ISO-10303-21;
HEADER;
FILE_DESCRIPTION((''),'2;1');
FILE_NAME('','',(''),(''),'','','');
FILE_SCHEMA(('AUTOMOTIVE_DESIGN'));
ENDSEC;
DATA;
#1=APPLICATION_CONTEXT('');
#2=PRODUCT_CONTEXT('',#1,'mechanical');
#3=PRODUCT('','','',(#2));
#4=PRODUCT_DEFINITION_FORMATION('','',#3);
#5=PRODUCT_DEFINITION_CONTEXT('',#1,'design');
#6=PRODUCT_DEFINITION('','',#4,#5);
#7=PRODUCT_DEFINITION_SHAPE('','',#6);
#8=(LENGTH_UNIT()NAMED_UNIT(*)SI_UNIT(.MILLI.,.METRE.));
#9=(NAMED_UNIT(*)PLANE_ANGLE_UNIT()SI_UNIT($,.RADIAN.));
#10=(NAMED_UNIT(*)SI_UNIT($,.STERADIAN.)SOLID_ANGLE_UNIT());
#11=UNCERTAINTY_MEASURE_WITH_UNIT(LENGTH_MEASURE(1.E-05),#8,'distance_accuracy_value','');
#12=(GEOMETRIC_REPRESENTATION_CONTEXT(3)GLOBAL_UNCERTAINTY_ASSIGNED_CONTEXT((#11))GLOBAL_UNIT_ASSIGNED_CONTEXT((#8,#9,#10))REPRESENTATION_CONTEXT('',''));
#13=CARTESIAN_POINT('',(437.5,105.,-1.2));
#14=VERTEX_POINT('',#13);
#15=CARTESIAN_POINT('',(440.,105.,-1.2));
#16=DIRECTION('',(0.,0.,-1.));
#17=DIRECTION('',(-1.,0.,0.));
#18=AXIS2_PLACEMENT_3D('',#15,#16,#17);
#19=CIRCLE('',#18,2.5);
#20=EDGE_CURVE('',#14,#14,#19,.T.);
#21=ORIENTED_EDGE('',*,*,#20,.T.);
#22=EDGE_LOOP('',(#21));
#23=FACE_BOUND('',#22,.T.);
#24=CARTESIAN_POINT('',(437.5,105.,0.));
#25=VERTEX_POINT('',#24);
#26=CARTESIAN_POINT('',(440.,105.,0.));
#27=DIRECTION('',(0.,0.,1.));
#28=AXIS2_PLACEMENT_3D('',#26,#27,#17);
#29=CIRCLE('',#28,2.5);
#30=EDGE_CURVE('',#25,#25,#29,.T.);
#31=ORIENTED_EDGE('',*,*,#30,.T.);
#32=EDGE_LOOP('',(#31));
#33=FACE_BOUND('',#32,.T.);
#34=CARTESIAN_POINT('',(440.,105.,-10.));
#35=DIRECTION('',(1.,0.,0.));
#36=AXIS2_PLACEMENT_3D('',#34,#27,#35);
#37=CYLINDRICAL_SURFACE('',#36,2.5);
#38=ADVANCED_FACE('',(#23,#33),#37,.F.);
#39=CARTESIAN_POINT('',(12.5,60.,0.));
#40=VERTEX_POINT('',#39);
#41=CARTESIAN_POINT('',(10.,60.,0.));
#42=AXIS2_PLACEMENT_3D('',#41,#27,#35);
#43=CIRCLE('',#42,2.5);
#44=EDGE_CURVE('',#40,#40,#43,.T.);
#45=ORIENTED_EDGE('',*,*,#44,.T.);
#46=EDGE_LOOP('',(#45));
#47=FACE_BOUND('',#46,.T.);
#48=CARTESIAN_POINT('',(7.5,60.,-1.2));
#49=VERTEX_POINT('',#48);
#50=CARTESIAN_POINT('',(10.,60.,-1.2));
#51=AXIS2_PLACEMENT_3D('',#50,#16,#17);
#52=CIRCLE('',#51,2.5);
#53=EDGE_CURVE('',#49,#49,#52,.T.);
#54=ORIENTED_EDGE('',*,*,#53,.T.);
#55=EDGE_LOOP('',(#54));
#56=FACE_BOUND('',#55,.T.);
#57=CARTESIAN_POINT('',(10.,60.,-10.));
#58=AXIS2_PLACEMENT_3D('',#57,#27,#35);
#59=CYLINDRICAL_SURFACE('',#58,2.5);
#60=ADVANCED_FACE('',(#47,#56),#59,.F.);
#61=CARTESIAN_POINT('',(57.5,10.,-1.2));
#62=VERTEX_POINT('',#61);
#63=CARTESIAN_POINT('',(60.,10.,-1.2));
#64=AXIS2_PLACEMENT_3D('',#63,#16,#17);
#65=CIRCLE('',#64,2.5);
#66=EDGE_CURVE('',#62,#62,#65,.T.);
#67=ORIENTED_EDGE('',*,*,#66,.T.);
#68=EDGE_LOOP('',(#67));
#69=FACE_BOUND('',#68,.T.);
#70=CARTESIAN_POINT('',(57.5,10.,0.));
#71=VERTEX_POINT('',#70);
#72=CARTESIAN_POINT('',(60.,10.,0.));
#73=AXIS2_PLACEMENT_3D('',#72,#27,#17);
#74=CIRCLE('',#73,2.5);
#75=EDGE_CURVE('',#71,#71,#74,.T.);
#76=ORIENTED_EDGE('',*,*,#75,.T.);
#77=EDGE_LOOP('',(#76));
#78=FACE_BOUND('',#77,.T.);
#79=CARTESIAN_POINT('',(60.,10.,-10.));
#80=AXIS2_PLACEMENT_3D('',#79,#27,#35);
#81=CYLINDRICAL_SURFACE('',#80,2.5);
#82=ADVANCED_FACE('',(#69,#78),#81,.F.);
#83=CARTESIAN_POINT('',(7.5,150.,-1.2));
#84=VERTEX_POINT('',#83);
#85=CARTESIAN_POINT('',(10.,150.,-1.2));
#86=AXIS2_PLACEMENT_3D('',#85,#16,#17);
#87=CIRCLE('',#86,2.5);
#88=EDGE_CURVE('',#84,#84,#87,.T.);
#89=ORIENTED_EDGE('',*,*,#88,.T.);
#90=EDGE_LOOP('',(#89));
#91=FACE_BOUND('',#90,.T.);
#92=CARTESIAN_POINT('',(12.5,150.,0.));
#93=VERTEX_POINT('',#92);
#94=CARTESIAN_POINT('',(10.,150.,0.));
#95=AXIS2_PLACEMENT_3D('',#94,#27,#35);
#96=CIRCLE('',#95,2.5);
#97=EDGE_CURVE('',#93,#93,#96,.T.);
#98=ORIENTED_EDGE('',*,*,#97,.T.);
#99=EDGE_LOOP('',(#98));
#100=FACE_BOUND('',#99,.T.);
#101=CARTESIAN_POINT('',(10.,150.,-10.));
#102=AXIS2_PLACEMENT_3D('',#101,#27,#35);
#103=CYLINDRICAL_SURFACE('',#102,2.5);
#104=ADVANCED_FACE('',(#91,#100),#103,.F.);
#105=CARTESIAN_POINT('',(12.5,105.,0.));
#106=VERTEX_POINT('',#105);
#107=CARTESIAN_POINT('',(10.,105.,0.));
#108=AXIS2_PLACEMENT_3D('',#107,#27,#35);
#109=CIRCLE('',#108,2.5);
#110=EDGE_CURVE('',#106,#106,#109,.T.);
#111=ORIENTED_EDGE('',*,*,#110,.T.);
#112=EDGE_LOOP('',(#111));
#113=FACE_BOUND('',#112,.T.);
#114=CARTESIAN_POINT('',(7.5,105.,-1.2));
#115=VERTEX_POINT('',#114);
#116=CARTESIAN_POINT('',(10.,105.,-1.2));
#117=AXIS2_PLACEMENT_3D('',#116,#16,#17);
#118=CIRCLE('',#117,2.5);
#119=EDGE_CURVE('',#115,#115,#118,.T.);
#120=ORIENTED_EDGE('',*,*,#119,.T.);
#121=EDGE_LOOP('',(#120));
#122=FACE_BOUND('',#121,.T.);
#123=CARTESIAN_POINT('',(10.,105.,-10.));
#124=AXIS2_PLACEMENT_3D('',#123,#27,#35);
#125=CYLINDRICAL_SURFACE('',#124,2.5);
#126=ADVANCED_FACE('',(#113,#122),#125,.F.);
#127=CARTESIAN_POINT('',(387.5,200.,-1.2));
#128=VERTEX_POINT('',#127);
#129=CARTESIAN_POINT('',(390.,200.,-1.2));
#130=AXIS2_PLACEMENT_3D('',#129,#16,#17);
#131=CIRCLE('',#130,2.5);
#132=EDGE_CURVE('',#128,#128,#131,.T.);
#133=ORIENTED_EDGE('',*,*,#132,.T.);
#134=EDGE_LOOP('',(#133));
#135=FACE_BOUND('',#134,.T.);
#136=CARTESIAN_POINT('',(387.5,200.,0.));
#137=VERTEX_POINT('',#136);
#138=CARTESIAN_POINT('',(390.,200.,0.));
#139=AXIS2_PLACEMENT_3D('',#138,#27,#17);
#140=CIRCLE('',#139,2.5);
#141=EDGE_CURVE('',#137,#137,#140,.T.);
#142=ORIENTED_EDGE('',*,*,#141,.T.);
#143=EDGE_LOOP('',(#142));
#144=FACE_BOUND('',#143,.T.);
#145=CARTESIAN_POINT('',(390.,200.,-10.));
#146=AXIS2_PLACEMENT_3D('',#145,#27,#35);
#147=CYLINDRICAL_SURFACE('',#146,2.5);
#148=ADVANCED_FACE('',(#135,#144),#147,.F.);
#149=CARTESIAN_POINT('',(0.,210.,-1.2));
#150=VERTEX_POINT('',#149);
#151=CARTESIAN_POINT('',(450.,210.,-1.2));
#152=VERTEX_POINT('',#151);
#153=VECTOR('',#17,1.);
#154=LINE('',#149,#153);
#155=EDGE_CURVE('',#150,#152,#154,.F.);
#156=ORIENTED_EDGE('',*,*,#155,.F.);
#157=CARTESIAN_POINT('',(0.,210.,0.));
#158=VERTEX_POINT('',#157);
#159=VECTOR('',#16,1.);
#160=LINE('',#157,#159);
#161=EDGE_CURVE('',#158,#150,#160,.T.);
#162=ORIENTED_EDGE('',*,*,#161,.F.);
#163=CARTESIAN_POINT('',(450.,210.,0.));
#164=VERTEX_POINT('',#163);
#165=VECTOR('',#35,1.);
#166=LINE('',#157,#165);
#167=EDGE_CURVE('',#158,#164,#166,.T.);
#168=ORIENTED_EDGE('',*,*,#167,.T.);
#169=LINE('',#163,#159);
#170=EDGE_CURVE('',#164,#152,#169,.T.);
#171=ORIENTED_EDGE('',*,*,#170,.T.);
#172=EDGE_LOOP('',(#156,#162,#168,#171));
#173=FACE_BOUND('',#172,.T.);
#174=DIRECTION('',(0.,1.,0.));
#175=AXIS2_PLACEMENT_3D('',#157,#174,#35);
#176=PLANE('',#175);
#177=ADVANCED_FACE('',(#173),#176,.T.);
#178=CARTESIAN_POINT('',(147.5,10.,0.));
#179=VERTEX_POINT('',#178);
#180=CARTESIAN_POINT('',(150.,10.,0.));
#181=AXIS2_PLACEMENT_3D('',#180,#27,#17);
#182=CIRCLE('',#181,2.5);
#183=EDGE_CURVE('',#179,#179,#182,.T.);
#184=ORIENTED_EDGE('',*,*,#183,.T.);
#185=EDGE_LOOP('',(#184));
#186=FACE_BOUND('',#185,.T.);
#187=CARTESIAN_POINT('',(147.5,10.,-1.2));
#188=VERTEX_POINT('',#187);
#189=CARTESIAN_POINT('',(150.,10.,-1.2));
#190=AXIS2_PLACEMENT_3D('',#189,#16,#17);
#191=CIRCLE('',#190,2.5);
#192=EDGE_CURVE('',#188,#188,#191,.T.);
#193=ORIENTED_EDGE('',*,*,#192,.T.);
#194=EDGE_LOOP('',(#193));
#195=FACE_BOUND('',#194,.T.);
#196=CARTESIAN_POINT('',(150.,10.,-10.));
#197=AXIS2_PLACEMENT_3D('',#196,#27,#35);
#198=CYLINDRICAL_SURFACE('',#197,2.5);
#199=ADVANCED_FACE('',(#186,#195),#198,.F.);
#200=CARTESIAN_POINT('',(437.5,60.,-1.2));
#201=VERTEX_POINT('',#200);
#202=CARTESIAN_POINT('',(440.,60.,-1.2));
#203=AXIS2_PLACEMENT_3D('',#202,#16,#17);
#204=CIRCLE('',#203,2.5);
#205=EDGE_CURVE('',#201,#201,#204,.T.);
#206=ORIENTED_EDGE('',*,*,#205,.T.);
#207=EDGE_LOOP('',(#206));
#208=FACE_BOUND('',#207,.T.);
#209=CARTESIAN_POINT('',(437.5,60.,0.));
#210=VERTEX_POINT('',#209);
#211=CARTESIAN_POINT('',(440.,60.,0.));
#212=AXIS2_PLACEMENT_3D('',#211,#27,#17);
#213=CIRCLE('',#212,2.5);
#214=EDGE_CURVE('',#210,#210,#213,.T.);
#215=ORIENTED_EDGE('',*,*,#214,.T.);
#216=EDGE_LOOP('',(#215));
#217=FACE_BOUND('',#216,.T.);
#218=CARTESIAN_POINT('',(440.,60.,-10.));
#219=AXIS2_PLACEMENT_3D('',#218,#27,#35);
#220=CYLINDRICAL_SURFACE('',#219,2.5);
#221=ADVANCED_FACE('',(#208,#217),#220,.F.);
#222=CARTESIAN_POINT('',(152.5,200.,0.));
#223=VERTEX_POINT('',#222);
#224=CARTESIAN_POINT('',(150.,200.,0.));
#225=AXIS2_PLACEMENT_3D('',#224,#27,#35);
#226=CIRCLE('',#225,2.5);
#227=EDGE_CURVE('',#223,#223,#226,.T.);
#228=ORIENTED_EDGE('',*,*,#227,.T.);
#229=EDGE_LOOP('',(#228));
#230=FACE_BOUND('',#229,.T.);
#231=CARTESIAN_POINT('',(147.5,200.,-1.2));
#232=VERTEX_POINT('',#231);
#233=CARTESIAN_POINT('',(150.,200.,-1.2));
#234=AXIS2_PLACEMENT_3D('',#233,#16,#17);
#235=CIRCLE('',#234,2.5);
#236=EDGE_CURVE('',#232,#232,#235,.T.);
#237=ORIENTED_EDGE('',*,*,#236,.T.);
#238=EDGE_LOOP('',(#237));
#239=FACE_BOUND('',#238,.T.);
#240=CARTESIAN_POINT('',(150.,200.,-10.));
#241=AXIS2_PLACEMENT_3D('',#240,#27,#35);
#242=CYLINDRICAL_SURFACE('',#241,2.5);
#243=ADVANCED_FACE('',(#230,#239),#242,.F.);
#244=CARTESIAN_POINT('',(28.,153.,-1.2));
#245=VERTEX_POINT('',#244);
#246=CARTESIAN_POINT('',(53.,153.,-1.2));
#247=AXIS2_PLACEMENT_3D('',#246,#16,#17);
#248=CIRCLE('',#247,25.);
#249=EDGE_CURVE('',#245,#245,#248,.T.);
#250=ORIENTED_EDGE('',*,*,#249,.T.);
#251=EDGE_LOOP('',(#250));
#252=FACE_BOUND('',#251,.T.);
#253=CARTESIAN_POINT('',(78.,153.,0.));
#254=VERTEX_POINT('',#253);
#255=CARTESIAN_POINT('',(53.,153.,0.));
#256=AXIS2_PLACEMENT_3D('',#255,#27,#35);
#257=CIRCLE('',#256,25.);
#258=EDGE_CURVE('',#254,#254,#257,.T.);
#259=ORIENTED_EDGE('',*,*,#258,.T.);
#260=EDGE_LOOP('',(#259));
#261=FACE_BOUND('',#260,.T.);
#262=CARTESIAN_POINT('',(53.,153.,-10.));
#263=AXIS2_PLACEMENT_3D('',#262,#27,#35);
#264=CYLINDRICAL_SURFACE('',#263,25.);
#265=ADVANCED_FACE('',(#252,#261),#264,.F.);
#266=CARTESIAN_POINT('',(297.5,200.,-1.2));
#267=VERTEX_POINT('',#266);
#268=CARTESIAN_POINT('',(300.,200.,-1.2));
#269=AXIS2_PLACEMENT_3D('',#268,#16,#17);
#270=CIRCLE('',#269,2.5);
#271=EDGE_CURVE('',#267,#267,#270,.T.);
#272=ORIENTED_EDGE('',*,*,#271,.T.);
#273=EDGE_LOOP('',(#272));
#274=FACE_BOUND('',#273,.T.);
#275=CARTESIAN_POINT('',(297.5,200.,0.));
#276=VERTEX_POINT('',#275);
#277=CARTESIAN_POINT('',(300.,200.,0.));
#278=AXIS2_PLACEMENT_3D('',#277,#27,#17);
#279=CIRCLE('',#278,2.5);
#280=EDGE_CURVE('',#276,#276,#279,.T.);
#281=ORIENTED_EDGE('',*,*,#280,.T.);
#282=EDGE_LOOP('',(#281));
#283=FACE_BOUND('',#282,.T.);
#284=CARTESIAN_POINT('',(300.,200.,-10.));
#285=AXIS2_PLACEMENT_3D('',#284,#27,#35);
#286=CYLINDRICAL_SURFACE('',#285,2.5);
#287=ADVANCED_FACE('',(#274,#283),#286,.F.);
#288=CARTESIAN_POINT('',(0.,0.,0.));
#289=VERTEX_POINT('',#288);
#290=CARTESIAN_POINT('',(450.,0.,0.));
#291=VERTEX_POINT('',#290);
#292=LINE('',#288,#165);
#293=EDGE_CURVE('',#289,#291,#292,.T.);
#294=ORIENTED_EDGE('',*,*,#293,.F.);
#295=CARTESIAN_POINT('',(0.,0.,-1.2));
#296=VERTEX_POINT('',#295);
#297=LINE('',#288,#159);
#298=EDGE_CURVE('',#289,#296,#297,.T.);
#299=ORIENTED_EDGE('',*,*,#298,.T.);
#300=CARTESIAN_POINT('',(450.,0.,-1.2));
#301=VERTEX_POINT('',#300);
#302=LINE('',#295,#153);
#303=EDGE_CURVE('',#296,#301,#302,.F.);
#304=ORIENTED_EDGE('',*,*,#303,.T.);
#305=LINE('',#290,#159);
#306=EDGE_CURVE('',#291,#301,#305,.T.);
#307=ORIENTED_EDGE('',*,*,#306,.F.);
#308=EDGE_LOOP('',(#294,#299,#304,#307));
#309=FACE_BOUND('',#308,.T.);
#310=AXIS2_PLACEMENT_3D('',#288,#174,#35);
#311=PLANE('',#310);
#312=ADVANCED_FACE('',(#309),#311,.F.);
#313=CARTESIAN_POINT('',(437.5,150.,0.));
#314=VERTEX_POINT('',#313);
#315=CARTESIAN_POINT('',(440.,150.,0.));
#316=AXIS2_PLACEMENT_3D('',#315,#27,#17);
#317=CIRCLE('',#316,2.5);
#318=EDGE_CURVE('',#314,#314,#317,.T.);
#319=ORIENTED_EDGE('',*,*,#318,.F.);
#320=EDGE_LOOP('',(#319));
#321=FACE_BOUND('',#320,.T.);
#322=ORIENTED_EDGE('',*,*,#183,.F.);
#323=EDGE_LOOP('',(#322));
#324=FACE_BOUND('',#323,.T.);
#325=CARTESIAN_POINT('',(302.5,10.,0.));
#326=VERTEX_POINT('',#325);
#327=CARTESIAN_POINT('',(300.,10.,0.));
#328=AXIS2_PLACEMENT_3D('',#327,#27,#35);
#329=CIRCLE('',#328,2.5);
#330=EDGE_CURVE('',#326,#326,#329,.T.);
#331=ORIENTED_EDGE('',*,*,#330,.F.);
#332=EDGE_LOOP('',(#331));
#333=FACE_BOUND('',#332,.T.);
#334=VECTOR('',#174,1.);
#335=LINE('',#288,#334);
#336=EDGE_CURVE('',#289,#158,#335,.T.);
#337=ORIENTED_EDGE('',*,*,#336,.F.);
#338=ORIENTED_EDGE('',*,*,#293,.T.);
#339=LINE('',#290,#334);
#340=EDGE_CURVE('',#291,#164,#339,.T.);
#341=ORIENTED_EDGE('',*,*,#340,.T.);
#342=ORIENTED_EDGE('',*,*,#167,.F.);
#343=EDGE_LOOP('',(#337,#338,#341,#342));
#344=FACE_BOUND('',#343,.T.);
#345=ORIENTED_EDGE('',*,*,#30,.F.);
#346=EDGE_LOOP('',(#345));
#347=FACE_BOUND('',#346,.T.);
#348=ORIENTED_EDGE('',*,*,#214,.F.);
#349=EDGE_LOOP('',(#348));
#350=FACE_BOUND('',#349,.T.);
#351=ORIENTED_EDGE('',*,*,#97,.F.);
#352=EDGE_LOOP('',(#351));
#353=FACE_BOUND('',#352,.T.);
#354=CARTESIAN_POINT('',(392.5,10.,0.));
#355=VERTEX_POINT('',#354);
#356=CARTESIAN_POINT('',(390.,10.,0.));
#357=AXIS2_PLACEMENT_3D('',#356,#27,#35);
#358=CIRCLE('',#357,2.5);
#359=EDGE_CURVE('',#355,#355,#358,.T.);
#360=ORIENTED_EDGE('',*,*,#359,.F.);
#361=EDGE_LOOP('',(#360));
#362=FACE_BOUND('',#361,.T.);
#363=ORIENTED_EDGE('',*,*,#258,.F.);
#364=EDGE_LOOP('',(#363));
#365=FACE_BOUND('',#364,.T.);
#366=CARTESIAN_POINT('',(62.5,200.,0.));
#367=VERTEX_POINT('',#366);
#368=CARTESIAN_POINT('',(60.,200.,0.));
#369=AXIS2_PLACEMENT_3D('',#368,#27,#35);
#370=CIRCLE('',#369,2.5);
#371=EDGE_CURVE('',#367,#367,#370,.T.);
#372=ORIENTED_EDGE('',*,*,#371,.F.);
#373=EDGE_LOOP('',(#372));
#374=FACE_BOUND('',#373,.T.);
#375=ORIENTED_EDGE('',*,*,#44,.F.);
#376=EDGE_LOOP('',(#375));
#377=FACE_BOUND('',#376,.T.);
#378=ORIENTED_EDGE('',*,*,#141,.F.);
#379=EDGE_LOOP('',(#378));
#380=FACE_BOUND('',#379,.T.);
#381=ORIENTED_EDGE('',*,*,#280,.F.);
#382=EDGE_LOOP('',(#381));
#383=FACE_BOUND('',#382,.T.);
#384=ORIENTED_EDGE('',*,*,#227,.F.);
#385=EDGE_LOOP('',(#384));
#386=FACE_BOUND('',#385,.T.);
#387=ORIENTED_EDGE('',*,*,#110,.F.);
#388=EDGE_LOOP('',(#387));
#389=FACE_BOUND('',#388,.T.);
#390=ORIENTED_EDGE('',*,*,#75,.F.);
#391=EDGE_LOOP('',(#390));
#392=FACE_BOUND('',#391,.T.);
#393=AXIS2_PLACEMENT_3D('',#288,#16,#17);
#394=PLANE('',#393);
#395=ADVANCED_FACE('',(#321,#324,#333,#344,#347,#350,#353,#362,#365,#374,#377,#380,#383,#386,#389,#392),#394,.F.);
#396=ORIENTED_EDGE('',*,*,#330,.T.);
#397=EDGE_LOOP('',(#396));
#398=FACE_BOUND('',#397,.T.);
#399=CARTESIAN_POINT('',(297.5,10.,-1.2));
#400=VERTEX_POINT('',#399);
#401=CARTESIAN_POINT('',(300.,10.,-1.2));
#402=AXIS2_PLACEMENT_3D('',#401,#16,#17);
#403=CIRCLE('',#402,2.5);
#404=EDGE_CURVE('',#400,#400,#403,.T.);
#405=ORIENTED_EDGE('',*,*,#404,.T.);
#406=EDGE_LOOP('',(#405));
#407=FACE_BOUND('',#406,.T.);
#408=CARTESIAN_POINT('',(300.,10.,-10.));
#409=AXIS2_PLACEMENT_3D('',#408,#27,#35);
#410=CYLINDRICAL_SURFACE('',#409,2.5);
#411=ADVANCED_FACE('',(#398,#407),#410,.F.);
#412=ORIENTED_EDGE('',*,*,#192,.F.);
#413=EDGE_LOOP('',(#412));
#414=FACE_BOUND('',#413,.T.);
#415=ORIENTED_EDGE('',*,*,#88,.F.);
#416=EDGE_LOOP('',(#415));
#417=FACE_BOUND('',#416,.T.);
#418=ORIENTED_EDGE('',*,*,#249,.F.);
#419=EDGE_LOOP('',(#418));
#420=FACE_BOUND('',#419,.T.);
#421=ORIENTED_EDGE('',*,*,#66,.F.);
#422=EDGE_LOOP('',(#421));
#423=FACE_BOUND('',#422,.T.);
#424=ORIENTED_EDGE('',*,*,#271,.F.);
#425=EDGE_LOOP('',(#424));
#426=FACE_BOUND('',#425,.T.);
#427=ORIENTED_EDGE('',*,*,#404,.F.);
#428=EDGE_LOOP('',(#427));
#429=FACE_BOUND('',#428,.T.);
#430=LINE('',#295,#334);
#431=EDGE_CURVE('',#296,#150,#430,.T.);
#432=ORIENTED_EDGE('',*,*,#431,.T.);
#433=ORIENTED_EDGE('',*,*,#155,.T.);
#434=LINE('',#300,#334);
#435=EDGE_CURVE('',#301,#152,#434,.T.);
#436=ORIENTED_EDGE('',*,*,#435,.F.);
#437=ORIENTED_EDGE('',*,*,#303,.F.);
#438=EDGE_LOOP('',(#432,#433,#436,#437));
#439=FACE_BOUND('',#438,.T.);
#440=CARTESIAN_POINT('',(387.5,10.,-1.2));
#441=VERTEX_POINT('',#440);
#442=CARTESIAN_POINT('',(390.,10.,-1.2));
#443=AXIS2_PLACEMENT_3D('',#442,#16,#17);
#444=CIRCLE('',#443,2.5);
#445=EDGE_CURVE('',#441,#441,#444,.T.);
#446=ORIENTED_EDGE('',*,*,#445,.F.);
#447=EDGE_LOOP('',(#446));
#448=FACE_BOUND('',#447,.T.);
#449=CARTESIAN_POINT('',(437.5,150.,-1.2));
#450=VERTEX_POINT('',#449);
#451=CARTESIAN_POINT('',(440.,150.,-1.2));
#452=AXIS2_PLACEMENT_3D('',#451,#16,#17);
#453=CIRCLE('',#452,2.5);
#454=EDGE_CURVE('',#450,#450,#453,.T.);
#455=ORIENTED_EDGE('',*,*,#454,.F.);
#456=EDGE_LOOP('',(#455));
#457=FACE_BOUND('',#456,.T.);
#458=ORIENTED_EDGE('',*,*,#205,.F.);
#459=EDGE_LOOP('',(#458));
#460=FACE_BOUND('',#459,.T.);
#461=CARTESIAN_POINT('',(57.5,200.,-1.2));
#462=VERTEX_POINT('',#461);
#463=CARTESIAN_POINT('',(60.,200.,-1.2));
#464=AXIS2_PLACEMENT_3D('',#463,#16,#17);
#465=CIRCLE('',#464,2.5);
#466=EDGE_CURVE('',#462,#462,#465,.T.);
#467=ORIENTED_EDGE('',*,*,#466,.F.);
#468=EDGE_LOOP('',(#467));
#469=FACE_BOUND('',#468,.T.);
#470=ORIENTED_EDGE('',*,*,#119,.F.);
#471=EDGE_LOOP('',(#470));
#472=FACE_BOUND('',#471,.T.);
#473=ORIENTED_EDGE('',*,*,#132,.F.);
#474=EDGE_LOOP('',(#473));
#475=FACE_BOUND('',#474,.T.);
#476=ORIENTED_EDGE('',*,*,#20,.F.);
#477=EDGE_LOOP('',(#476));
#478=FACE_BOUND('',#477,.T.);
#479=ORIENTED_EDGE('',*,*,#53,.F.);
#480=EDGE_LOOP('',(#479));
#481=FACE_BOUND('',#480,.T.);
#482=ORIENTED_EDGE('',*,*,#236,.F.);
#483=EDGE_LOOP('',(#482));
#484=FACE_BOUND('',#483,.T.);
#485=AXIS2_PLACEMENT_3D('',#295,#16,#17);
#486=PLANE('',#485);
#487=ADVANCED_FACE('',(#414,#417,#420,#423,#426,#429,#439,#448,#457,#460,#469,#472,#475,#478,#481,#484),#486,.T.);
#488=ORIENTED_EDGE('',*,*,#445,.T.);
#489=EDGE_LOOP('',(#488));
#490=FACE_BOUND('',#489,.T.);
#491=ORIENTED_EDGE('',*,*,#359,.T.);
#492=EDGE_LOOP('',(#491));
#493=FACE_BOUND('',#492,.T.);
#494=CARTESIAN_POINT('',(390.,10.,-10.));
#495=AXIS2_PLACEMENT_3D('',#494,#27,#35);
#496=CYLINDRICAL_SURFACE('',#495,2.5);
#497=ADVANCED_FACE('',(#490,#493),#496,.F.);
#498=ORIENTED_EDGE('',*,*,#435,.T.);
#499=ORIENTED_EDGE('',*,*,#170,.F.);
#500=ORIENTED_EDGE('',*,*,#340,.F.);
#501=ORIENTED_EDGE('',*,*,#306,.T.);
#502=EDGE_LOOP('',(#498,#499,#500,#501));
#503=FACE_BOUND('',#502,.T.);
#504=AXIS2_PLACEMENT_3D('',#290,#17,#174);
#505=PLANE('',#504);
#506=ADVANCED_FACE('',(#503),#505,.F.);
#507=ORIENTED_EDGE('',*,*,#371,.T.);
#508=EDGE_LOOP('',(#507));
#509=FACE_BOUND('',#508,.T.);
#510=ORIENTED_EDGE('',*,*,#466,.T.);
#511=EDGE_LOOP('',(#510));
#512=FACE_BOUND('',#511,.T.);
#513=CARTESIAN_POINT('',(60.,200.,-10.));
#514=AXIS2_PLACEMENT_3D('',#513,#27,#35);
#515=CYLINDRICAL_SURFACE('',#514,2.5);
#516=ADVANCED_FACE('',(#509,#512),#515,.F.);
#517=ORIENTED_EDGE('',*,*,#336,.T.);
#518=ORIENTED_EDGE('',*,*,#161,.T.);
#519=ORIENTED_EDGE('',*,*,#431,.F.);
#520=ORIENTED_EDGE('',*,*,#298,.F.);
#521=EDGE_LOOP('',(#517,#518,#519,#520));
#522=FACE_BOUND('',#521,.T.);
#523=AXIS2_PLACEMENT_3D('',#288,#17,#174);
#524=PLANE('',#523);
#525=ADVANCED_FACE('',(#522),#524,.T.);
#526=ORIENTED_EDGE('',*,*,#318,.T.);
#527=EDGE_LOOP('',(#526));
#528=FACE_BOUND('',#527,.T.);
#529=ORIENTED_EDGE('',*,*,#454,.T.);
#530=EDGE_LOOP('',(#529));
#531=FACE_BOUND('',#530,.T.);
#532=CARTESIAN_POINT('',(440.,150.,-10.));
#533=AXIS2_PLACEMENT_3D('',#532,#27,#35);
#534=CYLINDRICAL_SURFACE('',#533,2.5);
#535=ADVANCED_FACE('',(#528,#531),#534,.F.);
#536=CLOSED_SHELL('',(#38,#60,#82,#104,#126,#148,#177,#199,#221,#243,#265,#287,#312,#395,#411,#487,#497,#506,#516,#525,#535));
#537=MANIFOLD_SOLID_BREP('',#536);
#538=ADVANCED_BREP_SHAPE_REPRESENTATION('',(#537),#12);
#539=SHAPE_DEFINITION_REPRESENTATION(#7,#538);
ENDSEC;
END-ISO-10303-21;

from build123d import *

# Parameters (mm, degrees)
SURFACE_EXTRUDE1_1_DEPTH = 450
THICKEN15_T2             = 1.2
SKETCH2_R                = 25
CUT_EXTRUDE1_DEPTH       = 10
SKETCH3_R                = 2.5
CUT_EXTRUDE2_DEPTH       = 10


with BuildPart() as body_1:
    # Surface-Extrude1: a surface, the sketch's curves swept straight by 450 mm
    with BuildLine(Plane(origin=(0, 0, 0), x_dir=(0, 0, -1), z_dir=(1, 0, 0)), mode=Mode.PRIVATE) as surface_extrude1_1_path:
        Line((0, 0), (0, 210))
    surface_extrude1_1 = Shell.extrude(surface_extrude1_1_path.wire(), (1 * SURFACE_EXTRUDE1_1_DEPTH, 0 * SURFACE_EXTRUDE1_1_DEPTH, 0 * SURFACE_EXTRUDE1_1_DEPTH))
    add(Solid.thicken(surface_extrude1_1, -THICKEN15_T2))

    # Sketch2 → Cut-Extrude1 (cut)
    with BuildSketch(Plane.XY):
        with Locations((53, 153)):
            Circle(SKETCH2_R)
    extrude(amount=-CUT_EXTRUDE1_DEPTH, mode=Mode.SUBTRACT)

    # Sketch3 → Cut-Extrude2 (cut)
    with BuildSketch(Plane.XY):
        with Locations((10, 60)):
            Circle(SKETCH3_R)
        with Locations((10, 105)):
            Circle(SKETCH3_R)
        with Locations((10, 150)):
            Circle(SKETCH3_R)
        with Locations(Location((440, 60, 0), (0, 0, 180))):
            Circle(SKETCH3_R)
        with Locations(Location((440, 105, 0), (0, 0, 180))):
            Circle(SKETCH3_R)
        with Locations(Location((440, 150, 0), (0, 0, 180))):
            Circle(SKETCH3_R)
        with Locations((60, 200)):
            Circle(SKETCH3_R)
        with Locations((150, 200)):
            Circle(SKETCH3_R)
        with Locations(Location((300, 200, 0), (0, 0, 180))):
            Circle(SKETCH3_R)
        with Locations(Location((390, 200, 0), (0, 0, 180))):
            Circle(SKETCH3_R)
        with Locations((390, 10)):
            Circle(SKETCH3_R)
        with Locations((300, 10)):
            Circle(SKETCH3_R)
        with Locations(Location((150, 10, 0), (0, 0, 180))):
            Circle(SKETCH3_R)
        with Locations(Location((60, 10, 0), (0, 0, 180))):
            Circle(SKETCH3_R)
    extrude(amount=-CUT_EXTRUDE2_DEPTH, mode=Mode.SUBTRACT)


solid = body_1.part
